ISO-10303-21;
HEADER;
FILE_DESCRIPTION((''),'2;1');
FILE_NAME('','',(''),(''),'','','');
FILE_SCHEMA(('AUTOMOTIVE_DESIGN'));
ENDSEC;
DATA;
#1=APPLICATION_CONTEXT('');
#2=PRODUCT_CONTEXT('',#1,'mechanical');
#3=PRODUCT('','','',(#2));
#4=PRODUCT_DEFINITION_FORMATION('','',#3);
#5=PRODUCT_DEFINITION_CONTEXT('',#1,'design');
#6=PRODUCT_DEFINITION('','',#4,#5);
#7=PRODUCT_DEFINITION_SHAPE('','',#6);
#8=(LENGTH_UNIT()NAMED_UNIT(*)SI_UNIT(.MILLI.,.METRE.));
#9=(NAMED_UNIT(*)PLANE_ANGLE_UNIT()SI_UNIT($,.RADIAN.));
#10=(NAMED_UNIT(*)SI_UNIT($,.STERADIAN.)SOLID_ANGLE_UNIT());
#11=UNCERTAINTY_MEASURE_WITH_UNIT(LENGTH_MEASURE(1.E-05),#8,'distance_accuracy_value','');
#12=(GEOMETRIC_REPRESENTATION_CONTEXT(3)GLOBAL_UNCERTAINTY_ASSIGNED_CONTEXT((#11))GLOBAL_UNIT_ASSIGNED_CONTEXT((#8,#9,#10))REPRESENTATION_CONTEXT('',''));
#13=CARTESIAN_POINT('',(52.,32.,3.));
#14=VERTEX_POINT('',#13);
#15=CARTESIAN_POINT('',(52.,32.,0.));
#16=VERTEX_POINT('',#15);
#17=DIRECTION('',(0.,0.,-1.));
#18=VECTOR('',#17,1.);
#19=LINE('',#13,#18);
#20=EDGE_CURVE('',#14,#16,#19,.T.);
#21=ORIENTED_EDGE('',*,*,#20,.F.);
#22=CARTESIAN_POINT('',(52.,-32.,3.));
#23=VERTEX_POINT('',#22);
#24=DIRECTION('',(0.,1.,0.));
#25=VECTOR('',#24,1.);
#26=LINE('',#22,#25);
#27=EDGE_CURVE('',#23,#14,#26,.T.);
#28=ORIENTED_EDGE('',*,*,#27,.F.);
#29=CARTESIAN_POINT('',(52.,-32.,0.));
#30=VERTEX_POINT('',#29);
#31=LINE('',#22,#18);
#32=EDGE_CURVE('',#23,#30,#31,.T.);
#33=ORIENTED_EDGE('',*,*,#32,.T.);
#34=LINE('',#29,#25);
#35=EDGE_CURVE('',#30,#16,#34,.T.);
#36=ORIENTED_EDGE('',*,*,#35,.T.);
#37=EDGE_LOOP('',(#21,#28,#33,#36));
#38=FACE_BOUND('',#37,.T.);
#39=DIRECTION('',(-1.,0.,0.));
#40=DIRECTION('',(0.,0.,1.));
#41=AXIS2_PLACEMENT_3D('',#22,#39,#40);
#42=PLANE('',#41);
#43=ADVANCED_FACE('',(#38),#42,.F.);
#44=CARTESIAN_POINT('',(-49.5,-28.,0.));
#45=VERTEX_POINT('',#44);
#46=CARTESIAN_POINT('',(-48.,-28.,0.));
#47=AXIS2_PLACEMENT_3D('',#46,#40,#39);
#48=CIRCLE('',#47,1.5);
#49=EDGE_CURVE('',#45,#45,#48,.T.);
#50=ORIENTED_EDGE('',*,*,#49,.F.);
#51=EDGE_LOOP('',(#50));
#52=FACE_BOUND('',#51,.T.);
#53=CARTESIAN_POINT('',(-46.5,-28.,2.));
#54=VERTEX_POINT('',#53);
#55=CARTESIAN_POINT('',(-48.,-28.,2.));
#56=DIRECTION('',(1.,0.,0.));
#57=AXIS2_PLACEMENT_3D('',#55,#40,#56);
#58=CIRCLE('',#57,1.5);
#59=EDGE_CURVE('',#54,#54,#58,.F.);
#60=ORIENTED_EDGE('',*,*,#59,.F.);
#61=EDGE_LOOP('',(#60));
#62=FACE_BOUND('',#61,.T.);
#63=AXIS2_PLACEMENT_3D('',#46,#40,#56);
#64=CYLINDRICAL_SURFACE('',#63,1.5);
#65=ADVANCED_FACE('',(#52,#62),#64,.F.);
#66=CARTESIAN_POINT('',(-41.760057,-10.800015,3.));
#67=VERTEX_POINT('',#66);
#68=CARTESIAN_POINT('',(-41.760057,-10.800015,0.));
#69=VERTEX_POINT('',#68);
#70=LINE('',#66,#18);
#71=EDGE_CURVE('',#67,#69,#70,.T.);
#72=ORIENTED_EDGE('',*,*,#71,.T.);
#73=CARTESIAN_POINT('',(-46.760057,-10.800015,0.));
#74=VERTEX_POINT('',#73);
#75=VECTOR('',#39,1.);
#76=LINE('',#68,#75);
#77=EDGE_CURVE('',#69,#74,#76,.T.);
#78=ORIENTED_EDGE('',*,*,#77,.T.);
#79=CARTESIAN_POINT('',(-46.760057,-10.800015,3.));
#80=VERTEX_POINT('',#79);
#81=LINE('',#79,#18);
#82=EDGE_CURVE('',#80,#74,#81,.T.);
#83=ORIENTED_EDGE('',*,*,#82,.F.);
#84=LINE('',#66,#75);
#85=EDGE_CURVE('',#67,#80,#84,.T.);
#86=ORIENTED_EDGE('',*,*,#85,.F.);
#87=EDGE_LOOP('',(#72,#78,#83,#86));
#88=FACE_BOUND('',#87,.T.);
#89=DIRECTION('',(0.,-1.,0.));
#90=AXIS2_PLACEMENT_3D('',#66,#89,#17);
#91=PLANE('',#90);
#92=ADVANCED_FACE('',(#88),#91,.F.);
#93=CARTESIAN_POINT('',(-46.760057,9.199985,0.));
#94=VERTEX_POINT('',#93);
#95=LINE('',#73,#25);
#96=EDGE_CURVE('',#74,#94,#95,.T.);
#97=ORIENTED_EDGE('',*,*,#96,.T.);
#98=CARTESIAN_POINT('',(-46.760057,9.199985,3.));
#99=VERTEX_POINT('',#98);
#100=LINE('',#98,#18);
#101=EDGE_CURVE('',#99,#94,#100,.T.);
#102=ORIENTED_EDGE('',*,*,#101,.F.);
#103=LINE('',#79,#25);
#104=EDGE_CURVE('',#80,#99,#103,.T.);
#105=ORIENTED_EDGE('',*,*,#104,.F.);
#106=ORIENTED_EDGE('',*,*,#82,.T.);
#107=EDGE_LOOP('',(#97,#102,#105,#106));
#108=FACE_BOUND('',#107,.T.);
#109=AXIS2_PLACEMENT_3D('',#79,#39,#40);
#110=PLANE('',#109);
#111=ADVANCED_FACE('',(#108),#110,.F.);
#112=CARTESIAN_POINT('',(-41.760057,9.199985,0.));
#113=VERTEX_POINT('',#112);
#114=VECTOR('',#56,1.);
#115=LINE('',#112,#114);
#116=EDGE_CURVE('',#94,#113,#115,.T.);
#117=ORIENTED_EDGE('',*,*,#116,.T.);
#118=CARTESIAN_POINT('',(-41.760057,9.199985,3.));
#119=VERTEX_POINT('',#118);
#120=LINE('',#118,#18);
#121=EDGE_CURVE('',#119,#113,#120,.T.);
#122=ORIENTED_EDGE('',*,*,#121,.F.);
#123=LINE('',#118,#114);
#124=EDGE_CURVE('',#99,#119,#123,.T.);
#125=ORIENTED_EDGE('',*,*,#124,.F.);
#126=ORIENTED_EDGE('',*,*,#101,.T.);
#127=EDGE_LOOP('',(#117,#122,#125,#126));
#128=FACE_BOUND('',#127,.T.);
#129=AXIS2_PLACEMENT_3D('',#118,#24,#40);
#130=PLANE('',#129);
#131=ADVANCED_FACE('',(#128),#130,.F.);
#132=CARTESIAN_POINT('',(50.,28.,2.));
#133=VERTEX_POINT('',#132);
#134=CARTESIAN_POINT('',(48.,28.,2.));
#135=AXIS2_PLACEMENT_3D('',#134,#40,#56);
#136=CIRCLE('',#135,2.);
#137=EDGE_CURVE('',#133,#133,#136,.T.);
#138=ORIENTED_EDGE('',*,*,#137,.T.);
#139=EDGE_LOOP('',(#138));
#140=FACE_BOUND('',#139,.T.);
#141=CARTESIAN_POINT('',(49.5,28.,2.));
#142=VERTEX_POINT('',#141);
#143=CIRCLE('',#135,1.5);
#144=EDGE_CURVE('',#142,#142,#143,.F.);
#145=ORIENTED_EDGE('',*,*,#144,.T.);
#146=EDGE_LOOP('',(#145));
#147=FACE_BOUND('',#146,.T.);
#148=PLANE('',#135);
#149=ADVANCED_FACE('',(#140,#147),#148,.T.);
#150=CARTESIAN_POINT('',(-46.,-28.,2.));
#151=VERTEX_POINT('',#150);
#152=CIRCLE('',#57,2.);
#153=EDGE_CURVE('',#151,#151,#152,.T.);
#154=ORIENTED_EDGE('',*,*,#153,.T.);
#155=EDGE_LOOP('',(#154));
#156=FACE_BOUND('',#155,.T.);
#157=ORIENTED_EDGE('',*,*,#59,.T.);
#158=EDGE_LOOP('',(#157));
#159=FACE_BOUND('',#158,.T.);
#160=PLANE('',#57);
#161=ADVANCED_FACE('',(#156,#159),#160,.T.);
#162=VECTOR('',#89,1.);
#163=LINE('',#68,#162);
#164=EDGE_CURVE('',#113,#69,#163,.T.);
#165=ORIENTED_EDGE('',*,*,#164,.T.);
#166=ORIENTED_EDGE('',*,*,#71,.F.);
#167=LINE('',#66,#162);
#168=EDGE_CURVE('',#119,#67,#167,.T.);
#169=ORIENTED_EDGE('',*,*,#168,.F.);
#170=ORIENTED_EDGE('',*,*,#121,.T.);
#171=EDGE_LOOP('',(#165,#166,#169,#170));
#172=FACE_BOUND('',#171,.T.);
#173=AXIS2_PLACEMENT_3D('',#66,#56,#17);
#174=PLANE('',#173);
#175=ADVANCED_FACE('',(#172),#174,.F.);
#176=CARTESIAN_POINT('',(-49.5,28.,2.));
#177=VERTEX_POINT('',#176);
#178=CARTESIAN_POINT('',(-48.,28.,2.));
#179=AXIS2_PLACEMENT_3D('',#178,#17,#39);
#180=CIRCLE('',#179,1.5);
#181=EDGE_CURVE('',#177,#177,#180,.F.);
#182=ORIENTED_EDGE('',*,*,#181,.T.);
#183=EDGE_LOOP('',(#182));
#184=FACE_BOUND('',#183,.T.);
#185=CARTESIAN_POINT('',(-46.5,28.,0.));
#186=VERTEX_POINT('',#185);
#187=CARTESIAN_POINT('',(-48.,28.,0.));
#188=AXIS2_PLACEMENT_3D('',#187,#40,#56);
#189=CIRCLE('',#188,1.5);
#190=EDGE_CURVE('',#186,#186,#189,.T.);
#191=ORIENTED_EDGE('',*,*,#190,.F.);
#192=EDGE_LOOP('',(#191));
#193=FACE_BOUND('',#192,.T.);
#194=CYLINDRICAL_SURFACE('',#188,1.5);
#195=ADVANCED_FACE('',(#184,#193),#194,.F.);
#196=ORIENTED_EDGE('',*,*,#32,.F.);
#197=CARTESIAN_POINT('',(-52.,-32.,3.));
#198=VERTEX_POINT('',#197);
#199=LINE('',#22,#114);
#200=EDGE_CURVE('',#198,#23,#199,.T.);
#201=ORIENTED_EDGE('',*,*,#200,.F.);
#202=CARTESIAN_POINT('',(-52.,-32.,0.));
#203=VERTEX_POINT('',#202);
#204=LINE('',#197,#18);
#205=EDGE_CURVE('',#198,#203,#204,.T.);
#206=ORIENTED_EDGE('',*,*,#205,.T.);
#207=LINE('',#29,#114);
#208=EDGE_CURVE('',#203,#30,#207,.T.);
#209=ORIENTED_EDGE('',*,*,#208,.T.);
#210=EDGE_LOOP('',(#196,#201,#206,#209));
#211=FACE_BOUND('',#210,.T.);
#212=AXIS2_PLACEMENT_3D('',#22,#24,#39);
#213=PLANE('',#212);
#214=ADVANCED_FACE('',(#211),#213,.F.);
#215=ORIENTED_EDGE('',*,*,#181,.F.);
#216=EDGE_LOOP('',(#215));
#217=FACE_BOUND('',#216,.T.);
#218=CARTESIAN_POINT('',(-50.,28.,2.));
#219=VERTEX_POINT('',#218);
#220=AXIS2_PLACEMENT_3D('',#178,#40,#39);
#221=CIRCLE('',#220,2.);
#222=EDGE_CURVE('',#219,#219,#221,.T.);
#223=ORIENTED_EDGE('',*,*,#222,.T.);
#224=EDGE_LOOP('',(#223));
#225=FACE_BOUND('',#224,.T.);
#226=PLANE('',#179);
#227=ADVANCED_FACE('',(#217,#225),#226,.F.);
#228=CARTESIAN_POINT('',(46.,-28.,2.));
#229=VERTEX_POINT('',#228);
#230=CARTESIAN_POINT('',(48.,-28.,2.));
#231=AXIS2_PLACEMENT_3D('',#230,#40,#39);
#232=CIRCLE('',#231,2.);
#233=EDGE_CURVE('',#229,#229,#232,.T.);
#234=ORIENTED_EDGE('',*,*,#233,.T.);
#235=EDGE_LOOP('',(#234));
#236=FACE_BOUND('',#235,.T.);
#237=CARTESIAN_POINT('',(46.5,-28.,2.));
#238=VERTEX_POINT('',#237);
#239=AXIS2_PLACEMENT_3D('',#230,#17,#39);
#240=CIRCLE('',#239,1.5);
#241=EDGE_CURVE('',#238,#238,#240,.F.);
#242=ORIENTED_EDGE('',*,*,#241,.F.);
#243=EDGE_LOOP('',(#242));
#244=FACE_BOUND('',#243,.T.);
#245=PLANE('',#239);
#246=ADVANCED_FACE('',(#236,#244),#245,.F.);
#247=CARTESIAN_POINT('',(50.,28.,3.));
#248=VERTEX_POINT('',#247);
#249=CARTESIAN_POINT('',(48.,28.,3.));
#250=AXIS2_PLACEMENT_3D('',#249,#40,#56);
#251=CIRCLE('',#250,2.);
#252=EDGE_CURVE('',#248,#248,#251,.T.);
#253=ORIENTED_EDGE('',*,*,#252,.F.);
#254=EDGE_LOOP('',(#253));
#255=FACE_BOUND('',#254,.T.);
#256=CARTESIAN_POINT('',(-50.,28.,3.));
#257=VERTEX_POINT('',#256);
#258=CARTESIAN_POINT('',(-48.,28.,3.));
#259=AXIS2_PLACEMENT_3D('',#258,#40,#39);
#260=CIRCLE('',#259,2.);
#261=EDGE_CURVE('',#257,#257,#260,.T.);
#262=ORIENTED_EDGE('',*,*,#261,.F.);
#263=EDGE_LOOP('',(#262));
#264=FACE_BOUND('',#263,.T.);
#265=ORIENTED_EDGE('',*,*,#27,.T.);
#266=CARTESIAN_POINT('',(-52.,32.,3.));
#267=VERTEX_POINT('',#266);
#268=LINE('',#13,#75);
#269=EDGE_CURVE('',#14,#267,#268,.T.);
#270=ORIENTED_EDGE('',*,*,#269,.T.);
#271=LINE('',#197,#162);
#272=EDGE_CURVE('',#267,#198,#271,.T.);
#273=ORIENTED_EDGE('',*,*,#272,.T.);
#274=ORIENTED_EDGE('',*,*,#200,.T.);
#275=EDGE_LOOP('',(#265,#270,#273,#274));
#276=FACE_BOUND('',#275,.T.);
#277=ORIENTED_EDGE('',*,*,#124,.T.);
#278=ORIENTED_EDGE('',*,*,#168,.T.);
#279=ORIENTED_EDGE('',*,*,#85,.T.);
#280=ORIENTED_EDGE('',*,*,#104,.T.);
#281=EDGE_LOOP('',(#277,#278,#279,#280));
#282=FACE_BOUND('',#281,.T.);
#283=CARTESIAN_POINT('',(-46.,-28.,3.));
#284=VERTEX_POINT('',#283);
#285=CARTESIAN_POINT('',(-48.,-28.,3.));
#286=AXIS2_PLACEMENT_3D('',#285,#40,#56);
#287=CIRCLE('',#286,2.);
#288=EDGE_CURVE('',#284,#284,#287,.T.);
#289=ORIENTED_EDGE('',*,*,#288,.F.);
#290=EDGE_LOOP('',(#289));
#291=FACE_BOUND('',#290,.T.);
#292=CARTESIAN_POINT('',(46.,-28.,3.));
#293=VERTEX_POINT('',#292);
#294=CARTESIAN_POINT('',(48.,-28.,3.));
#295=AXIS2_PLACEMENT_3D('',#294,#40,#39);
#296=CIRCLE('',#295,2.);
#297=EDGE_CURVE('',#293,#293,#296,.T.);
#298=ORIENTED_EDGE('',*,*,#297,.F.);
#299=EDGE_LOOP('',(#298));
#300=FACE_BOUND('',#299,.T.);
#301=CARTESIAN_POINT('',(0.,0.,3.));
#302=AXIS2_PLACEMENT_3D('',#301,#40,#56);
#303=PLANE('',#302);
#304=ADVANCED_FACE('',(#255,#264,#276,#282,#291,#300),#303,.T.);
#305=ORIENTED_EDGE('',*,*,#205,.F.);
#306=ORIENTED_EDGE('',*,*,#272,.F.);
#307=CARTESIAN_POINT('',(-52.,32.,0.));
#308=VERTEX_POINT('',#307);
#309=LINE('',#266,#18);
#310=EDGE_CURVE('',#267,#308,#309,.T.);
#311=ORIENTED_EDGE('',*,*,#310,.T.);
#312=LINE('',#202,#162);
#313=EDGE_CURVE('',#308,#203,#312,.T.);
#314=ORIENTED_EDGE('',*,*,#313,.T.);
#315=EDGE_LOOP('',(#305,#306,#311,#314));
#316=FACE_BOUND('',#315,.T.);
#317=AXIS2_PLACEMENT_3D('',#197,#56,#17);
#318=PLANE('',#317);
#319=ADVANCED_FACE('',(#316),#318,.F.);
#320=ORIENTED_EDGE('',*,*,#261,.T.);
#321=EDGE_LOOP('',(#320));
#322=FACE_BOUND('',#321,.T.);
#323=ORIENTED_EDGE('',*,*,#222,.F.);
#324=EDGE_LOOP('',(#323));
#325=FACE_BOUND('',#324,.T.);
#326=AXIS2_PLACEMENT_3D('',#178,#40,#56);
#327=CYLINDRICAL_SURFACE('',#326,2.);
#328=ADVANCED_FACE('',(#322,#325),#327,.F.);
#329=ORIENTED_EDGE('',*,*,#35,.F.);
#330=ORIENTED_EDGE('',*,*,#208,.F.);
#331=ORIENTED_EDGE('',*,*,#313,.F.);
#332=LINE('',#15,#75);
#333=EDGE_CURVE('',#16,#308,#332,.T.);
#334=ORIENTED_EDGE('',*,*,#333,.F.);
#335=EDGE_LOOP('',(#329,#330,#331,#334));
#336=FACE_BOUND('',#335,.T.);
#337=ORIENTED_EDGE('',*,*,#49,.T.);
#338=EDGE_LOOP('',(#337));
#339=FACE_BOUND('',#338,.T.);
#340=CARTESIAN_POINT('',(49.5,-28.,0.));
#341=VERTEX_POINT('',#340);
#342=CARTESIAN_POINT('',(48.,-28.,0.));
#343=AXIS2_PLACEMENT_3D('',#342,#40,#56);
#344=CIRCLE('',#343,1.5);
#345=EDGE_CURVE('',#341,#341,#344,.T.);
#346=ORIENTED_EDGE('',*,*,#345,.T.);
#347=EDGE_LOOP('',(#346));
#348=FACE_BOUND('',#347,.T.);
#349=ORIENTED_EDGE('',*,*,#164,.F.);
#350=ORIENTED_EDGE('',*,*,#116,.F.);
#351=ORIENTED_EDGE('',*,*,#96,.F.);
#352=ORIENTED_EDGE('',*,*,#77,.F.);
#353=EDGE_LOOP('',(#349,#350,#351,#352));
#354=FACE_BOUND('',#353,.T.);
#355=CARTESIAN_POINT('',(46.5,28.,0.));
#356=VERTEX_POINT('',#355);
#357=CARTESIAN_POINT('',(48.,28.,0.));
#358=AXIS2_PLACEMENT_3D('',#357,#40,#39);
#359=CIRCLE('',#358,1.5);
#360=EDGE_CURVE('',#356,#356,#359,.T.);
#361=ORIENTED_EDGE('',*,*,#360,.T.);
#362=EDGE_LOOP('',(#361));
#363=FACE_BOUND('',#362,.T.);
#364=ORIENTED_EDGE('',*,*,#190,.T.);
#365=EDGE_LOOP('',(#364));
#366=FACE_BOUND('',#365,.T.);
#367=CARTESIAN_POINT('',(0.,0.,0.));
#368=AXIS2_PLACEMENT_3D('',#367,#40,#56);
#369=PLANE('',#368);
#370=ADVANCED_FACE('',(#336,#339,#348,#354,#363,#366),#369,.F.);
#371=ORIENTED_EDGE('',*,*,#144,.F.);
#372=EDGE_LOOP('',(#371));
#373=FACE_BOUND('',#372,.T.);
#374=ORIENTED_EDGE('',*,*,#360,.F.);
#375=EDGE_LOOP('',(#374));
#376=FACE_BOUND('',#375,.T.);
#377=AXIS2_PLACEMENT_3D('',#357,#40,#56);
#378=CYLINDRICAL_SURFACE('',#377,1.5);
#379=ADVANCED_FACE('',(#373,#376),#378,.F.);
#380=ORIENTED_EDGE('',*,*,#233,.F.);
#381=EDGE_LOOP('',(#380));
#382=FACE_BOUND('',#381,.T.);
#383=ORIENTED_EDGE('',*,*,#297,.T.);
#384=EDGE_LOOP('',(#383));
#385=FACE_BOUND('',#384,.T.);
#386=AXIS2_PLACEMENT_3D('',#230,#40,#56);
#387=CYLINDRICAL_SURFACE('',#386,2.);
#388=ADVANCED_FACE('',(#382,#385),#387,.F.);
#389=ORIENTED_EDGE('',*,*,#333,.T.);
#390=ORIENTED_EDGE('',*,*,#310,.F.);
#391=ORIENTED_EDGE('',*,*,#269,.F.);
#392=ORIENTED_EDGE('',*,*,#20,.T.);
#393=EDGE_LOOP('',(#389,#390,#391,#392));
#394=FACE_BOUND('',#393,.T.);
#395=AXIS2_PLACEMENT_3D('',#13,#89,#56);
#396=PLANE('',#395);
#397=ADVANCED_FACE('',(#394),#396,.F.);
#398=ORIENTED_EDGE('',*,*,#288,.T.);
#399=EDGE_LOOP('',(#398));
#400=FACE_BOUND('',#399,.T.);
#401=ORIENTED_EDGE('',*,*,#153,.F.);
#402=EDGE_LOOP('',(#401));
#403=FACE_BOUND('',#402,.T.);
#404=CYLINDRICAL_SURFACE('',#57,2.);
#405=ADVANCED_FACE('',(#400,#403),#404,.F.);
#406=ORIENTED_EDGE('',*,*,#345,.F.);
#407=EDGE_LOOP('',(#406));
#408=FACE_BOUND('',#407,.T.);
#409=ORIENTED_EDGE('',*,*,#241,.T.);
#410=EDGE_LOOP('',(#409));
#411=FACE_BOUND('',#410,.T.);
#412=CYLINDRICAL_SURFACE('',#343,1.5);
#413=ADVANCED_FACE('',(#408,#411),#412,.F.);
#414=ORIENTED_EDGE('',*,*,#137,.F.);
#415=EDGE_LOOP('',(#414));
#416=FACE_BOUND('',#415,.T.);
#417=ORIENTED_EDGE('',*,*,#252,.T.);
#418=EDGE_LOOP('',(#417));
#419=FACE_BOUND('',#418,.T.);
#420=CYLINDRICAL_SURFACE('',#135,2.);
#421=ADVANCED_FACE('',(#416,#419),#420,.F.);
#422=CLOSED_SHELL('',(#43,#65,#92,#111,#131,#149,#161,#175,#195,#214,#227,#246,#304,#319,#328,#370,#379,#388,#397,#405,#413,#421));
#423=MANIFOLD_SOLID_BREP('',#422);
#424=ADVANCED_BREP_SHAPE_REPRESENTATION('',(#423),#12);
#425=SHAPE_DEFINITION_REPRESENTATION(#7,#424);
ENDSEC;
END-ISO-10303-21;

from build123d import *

# Parameters (mm, degrees)
SKETCH_1_W          = 104
SKETCH_1_H          = 64
EXTRUDE_1_DEPTH     = 3
SKETCH_2_R          = 1.5
CUT_EXTRUDE_1_DEPTH = 62.131006862
SKETCH_3_W          = 5
SKETCH_3_H          = 20
CUT_EXTRUDE_2_DEPTH = 62.131006862
SKETCH_4_R          = 2
CUT_EXTRUDE_3_DEPTH = 1


with BuildPart() as part:
    # 草图1 → 凸台-拉伸1 (new body)
    with BuildSketch(Plane.XY):
        Rectangle(SKETCH_1_W, SKETCH_1_H)
    extrude(amount=EXTRUDE_1_DEPTH)

    # 草图2 → 切除-拉伸1 (cut, through all)
    with BuildSketch(Plane.XY.offset(3)):
        with Locations((-48, 28)):
            Circle(SKETCH_2_R)
        with Locations(Location((48, 28, 0), (0, 0, 180))):
            Circle(SKETCH_2_R)
        with Locations((48, -28)):
            Circle(SKETCH_2_R)
        with Locations(Location((-48, -28, 0), (0, 0, 180))):
            Circle(SKETCH_2_R)
    extrude(amount=-CUT_EXTRUDE_1_DEPTH, mode=Mode.SUBTRACT)

    # 草图3 → 切除-拉伸2 (cut, through all)
    with BuildSketch(Plane(origin=(0, 0, 0), x_dir=(-1, 0, 0), z_dir=(0, 0, -1))):
        with Locations((44.26005687, -0.800014708)):
            Rectangle(SKETCH_3_W, SKETCH_3_H)
    extrude(amount=-CUT_EXTRUDE_2_DEPTH, mode=Mode.SUBTRACT)

    # 草图4 → 切除-拉伸3 (cut)
    with BuildSketch(Plane.XY.offset(3)):
        with Locations((48, 28)):
            Circle(SKETCH_4_R)
        with Locations(Location((-48, 28, 0), (0, 0, 180))):
            Circle(SKETCH_4_R)
        with Locations((-48, -28)):
            Circle(SKETCH_4_R)
        with Locations(Location((48, -28, 0), (0, 0, 180))):
            Circle(SKETCH_4_R)
    extrude(amount=-CUT_EXTRUDE_3_DEPTH, mode=Mode.SUBTRACT)


solid = part.part
